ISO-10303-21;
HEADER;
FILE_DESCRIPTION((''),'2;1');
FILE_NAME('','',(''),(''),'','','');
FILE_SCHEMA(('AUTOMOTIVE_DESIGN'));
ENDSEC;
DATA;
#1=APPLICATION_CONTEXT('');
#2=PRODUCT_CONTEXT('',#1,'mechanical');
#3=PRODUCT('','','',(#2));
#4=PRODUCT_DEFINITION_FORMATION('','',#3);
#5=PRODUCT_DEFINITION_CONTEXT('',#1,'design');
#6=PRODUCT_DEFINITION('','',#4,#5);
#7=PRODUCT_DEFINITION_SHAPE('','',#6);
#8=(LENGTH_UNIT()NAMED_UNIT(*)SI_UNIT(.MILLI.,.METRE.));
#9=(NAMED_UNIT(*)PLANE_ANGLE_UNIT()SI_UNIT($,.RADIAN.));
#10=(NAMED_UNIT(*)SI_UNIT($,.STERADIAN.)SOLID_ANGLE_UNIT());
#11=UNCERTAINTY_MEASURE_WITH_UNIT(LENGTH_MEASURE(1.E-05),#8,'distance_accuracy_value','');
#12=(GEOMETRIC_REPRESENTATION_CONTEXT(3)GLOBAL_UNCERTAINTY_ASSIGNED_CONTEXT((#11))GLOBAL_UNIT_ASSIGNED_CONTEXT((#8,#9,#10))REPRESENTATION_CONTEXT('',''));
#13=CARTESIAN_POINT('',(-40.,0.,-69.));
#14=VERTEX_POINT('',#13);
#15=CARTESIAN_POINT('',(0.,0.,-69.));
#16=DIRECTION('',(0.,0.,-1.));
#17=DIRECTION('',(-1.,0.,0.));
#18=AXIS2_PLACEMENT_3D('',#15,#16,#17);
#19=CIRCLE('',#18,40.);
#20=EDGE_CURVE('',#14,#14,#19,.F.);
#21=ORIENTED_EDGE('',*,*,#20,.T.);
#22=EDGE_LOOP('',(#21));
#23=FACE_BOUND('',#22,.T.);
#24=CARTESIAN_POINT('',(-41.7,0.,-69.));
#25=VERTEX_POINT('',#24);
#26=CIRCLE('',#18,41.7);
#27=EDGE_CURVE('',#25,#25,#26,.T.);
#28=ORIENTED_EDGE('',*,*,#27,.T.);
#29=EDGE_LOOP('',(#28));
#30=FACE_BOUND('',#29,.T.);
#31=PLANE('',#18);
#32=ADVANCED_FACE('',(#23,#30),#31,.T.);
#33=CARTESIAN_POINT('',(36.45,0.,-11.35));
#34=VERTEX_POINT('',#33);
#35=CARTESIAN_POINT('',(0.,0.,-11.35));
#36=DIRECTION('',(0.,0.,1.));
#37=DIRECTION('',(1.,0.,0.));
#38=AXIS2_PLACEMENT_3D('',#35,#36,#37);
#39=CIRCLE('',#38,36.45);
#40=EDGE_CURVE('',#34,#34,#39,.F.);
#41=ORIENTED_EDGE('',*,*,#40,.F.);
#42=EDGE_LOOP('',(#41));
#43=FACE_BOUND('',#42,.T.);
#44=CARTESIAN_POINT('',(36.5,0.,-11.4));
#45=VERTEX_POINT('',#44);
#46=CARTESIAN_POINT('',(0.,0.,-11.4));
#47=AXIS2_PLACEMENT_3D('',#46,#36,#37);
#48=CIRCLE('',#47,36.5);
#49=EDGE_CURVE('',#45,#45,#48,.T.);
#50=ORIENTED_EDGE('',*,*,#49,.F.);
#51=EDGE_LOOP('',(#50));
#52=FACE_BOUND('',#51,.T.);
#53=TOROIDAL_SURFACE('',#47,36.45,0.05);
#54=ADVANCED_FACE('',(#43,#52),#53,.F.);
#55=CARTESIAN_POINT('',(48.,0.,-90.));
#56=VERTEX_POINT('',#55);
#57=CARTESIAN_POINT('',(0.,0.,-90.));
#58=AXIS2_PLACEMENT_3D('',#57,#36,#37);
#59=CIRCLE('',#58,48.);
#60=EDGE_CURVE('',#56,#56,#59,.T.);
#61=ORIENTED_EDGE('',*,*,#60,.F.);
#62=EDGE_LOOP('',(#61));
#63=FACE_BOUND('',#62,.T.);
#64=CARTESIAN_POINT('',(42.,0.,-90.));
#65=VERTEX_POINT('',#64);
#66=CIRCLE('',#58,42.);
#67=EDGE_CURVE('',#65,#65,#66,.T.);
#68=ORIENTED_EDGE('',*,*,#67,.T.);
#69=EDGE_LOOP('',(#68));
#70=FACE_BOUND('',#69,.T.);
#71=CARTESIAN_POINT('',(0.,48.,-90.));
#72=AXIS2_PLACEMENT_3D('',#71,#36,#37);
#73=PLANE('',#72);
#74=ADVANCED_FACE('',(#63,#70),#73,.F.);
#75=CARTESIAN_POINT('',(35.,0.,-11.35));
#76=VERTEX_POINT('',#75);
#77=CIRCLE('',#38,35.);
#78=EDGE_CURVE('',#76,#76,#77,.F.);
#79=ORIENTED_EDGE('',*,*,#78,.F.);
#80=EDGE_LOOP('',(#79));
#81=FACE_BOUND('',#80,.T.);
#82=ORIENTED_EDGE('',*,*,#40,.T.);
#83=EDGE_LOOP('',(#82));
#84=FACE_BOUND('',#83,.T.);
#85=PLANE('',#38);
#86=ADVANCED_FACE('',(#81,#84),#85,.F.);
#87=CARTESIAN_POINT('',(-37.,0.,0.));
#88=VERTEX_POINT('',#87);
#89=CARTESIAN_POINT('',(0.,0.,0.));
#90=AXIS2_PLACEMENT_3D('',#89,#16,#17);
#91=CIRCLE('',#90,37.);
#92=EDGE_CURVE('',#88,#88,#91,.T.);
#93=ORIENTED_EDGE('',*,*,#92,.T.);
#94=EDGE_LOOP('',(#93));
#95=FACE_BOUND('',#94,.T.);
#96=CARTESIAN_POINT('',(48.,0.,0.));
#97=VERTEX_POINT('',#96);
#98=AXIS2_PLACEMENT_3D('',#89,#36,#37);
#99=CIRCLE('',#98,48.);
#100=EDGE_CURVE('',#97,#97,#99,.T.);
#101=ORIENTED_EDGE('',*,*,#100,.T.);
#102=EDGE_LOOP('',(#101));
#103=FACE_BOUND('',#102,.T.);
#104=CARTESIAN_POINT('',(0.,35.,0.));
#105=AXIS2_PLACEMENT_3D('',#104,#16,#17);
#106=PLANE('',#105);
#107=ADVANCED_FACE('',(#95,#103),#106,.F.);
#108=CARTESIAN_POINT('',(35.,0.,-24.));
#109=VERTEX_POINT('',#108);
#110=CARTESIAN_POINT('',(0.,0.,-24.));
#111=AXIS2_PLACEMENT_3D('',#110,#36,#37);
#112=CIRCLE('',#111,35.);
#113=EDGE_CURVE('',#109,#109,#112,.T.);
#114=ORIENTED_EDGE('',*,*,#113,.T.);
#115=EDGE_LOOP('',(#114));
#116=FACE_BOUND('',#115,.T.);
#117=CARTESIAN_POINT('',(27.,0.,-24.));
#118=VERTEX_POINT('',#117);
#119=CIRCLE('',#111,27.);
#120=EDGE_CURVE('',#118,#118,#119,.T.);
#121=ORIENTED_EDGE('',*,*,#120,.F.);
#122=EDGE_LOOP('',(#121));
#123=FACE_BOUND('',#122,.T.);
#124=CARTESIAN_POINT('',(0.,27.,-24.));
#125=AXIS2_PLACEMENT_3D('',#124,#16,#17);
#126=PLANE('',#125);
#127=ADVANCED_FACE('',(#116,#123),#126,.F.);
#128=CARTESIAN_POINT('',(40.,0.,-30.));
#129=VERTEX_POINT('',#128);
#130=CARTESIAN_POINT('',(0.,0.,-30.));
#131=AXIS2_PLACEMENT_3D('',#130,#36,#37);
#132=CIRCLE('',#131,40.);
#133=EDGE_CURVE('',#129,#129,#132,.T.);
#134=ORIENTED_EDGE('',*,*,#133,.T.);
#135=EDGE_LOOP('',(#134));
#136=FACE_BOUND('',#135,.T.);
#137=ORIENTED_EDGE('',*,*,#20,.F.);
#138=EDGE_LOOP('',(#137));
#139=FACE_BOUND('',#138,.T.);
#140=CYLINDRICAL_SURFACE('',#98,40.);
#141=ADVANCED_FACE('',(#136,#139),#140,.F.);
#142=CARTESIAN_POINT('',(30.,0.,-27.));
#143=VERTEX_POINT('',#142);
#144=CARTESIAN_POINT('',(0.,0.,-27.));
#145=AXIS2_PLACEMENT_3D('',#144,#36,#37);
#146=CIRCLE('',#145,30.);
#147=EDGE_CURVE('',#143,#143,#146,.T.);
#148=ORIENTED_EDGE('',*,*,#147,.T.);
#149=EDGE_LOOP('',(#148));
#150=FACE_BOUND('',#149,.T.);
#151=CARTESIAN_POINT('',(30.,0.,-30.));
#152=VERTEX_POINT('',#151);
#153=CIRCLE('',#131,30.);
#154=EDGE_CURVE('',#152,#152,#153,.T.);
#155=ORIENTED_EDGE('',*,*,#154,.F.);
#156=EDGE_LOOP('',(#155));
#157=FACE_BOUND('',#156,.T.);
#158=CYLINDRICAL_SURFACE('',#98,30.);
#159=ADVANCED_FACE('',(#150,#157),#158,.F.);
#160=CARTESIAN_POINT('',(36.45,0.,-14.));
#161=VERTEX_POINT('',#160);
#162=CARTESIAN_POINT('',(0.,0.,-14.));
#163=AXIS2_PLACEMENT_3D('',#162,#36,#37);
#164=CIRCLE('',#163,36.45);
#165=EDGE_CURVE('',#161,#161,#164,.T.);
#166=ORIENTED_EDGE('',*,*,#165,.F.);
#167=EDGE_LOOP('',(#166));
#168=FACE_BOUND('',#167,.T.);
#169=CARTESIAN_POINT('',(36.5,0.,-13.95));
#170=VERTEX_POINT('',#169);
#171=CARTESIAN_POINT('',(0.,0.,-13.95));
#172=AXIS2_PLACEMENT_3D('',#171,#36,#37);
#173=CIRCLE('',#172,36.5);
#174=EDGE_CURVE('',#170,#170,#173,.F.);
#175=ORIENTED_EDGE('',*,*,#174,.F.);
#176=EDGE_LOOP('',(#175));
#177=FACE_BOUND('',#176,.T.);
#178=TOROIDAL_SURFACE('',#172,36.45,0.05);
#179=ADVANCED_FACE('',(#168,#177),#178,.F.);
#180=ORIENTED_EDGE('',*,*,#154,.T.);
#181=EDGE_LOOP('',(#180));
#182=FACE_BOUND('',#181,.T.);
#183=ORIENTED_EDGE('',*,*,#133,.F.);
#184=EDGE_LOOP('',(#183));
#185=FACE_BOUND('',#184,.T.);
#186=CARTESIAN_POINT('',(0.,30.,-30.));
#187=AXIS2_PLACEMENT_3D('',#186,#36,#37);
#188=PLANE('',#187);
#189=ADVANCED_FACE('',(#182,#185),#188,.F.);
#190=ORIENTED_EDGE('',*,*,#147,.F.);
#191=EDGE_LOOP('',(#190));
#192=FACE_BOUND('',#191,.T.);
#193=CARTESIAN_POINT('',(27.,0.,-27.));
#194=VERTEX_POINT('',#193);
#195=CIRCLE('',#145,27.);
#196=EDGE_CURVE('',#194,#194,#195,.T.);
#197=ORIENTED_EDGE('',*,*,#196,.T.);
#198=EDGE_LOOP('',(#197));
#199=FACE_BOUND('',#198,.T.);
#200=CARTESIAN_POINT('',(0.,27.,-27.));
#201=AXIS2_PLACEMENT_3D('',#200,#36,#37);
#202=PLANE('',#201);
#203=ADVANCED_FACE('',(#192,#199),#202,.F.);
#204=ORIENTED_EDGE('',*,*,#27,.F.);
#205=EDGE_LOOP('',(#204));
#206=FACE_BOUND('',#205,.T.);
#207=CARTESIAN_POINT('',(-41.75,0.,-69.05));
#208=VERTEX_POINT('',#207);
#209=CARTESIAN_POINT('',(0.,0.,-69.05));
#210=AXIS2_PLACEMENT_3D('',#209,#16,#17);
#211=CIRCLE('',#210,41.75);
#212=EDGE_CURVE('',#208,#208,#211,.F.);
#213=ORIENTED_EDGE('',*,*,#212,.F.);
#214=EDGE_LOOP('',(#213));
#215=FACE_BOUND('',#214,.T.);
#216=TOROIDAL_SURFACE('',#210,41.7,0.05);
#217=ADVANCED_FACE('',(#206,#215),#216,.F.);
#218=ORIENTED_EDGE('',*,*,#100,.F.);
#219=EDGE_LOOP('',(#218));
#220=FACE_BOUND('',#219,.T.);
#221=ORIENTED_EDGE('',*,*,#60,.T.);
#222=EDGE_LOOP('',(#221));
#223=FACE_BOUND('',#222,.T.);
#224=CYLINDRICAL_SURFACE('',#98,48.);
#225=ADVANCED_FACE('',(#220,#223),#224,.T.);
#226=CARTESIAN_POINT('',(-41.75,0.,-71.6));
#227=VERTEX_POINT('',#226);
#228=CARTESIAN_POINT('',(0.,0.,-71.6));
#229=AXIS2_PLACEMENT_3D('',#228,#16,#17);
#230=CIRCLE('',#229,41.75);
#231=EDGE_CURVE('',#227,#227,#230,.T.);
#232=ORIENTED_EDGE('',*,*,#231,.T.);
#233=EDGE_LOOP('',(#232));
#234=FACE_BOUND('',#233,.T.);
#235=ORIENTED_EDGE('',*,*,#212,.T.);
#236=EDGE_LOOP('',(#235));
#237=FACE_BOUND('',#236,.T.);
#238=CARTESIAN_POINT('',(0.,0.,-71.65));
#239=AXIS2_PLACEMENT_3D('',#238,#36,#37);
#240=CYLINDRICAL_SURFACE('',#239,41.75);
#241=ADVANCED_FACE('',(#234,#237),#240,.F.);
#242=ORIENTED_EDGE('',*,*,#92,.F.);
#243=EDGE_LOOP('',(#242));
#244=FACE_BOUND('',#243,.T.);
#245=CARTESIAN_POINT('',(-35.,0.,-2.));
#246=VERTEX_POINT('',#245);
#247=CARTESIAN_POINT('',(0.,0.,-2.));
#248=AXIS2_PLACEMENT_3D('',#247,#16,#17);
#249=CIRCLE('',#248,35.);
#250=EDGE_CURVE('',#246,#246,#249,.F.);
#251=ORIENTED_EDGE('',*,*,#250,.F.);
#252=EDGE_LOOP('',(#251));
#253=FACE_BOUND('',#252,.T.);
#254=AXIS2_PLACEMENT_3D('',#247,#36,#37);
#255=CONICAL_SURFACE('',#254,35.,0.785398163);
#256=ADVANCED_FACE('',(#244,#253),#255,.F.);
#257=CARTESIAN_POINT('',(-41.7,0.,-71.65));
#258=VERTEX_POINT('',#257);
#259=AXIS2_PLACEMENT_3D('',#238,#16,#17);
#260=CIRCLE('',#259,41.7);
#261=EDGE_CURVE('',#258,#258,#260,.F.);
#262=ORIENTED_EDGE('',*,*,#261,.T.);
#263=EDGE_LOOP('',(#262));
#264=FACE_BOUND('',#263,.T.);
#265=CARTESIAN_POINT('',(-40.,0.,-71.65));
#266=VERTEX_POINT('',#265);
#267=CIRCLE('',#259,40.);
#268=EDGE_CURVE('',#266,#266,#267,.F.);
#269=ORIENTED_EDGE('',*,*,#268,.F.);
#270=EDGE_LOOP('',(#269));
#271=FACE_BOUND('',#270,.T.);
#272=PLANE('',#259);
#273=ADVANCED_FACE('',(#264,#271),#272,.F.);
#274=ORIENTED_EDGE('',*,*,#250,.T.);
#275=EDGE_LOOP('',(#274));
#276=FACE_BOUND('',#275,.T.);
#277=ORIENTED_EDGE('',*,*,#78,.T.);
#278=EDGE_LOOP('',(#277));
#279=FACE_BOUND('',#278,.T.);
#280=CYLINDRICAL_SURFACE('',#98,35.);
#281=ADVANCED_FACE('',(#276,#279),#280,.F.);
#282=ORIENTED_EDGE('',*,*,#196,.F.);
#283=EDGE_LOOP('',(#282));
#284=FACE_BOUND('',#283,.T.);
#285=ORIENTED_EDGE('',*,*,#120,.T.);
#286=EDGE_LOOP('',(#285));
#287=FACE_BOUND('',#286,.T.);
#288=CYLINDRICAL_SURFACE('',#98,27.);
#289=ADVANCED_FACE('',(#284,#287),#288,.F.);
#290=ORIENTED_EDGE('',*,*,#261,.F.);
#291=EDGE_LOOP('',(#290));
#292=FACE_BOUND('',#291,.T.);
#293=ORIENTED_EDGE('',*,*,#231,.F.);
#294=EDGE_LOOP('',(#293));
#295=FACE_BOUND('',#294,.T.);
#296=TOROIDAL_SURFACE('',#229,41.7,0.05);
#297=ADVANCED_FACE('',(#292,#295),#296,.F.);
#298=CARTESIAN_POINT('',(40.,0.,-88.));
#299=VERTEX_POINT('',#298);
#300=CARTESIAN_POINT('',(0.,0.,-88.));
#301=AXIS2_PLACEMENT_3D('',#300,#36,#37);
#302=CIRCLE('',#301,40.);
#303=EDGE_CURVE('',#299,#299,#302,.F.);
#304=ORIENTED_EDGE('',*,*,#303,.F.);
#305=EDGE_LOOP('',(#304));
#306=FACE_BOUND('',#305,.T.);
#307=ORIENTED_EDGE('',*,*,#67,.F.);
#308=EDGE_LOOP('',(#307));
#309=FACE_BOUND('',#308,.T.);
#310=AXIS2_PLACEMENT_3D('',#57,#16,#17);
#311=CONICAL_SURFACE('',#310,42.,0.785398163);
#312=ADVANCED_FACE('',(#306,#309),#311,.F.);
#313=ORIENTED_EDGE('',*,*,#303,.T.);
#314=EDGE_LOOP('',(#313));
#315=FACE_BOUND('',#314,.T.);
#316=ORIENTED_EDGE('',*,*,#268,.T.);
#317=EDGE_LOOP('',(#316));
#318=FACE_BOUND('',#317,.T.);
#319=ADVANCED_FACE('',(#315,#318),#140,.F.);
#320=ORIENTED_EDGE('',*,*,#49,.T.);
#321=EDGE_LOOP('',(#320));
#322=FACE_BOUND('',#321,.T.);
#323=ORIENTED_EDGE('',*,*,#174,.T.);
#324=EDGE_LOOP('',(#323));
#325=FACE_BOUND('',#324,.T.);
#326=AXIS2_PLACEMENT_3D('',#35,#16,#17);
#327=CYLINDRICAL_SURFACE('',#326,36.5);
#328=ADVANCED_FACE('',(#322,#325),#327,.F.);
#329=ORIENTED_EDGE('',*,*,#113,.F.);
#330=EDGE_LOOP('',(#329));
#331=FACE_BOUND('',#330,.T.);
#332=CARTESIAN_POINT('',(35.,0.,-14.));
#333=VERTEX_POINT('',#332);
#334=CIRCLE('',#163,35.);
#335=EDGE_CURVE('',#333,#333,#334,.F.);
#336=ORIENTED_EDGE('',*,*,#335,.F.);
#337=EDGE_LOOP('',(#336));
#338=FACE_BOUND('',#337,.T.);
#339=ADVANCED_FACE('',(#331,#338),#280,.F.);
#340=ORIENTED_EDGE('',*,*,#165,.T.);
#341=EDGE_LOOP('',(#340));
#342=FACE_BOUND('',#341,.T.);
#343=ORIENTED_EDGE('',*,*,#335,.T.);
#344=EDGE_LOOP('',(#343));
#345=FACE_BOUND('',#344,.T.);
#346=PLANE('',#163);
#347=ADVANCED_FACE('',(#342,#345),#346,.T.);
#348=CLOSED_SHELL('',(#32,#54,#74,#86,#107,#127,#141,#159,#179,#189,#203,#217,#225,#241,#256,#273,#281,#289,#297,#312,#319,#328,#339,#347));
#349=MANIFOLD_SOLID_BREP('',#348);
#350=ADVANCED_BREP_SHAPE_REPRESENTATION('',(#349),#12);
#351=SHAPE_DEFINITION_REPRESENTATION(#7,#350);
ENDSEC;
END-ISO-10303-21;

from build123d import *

# Parameters (mm, degrees)
SKETCH_2_R          = 36.5
CUT_EXTRUDE_1_DEPTH = 2.65
SKETCH_3_R          = 41.75
CUT_EXTRUDE_2_DEPTH = 2.65
FILLET_1_R          = 0.05
CHAMFER_2_SIZE      = 2


with BuildPart() as part:
    # Эскиз1 → Повернуть1 (revolve)
    with BuildSketch(Plane(origin=(0, 0, 0), x_dir=(0, 0, -1), z_dir=(1, 0, 0))):
        Polygon((0, 48), (90, 48), (90, 40), (30, 40), (30, 30), (27, 30), (27, 27), (24, 27), (24, 35), (0, 35), align=None)
    revolve(axis=Axis((0, 0, 0), (0, 0, -1)))

    # Эскиз2 → Вырез-Вытянуть1 (cut)
    with BuildSketch(Plane.XY.offset(-14)):
        Circle(SKETCH_2_R)
    extrude(amount=CUT_EXTRUDE_1_DEPTH, mode=Mode.SUBTRACT)

    # Эскиз3 → Вырез-Вытянуть2 (cut)
    with BuildSketch(Plane(origin=(0, 0, -69), x_dir=(-1, 0, 0), z_dir=(0, 0, -1))):
        Circle(SKETCH_3_R)
    extrude(amount=CUT_EXTRUDE_2_DEPTH, mode=Mode.SUBTRACT)

    # Скругление1
    fillet_1_edges = [part.edges().sort_by_distance(p)[0] for p in [
        (41.75, 0, -71.65),
        (41.75, 0, -69),
        (-36.5, 0, -11.35),
        (-36.5, 0, -14),
    ]]
    fillet(fillet_1_edges, radius=FILLET_1_R)

    # Фаска2
    chamfer_2_edges = [part.edges().sort_by_distance(p)[0] for p in [
        (0, -35, 0),
        (0, -40, -90),
    ]]
    chamfer(chamfer_2_edges, length=CHAMFER_2_SIZE)


solid = part.part
